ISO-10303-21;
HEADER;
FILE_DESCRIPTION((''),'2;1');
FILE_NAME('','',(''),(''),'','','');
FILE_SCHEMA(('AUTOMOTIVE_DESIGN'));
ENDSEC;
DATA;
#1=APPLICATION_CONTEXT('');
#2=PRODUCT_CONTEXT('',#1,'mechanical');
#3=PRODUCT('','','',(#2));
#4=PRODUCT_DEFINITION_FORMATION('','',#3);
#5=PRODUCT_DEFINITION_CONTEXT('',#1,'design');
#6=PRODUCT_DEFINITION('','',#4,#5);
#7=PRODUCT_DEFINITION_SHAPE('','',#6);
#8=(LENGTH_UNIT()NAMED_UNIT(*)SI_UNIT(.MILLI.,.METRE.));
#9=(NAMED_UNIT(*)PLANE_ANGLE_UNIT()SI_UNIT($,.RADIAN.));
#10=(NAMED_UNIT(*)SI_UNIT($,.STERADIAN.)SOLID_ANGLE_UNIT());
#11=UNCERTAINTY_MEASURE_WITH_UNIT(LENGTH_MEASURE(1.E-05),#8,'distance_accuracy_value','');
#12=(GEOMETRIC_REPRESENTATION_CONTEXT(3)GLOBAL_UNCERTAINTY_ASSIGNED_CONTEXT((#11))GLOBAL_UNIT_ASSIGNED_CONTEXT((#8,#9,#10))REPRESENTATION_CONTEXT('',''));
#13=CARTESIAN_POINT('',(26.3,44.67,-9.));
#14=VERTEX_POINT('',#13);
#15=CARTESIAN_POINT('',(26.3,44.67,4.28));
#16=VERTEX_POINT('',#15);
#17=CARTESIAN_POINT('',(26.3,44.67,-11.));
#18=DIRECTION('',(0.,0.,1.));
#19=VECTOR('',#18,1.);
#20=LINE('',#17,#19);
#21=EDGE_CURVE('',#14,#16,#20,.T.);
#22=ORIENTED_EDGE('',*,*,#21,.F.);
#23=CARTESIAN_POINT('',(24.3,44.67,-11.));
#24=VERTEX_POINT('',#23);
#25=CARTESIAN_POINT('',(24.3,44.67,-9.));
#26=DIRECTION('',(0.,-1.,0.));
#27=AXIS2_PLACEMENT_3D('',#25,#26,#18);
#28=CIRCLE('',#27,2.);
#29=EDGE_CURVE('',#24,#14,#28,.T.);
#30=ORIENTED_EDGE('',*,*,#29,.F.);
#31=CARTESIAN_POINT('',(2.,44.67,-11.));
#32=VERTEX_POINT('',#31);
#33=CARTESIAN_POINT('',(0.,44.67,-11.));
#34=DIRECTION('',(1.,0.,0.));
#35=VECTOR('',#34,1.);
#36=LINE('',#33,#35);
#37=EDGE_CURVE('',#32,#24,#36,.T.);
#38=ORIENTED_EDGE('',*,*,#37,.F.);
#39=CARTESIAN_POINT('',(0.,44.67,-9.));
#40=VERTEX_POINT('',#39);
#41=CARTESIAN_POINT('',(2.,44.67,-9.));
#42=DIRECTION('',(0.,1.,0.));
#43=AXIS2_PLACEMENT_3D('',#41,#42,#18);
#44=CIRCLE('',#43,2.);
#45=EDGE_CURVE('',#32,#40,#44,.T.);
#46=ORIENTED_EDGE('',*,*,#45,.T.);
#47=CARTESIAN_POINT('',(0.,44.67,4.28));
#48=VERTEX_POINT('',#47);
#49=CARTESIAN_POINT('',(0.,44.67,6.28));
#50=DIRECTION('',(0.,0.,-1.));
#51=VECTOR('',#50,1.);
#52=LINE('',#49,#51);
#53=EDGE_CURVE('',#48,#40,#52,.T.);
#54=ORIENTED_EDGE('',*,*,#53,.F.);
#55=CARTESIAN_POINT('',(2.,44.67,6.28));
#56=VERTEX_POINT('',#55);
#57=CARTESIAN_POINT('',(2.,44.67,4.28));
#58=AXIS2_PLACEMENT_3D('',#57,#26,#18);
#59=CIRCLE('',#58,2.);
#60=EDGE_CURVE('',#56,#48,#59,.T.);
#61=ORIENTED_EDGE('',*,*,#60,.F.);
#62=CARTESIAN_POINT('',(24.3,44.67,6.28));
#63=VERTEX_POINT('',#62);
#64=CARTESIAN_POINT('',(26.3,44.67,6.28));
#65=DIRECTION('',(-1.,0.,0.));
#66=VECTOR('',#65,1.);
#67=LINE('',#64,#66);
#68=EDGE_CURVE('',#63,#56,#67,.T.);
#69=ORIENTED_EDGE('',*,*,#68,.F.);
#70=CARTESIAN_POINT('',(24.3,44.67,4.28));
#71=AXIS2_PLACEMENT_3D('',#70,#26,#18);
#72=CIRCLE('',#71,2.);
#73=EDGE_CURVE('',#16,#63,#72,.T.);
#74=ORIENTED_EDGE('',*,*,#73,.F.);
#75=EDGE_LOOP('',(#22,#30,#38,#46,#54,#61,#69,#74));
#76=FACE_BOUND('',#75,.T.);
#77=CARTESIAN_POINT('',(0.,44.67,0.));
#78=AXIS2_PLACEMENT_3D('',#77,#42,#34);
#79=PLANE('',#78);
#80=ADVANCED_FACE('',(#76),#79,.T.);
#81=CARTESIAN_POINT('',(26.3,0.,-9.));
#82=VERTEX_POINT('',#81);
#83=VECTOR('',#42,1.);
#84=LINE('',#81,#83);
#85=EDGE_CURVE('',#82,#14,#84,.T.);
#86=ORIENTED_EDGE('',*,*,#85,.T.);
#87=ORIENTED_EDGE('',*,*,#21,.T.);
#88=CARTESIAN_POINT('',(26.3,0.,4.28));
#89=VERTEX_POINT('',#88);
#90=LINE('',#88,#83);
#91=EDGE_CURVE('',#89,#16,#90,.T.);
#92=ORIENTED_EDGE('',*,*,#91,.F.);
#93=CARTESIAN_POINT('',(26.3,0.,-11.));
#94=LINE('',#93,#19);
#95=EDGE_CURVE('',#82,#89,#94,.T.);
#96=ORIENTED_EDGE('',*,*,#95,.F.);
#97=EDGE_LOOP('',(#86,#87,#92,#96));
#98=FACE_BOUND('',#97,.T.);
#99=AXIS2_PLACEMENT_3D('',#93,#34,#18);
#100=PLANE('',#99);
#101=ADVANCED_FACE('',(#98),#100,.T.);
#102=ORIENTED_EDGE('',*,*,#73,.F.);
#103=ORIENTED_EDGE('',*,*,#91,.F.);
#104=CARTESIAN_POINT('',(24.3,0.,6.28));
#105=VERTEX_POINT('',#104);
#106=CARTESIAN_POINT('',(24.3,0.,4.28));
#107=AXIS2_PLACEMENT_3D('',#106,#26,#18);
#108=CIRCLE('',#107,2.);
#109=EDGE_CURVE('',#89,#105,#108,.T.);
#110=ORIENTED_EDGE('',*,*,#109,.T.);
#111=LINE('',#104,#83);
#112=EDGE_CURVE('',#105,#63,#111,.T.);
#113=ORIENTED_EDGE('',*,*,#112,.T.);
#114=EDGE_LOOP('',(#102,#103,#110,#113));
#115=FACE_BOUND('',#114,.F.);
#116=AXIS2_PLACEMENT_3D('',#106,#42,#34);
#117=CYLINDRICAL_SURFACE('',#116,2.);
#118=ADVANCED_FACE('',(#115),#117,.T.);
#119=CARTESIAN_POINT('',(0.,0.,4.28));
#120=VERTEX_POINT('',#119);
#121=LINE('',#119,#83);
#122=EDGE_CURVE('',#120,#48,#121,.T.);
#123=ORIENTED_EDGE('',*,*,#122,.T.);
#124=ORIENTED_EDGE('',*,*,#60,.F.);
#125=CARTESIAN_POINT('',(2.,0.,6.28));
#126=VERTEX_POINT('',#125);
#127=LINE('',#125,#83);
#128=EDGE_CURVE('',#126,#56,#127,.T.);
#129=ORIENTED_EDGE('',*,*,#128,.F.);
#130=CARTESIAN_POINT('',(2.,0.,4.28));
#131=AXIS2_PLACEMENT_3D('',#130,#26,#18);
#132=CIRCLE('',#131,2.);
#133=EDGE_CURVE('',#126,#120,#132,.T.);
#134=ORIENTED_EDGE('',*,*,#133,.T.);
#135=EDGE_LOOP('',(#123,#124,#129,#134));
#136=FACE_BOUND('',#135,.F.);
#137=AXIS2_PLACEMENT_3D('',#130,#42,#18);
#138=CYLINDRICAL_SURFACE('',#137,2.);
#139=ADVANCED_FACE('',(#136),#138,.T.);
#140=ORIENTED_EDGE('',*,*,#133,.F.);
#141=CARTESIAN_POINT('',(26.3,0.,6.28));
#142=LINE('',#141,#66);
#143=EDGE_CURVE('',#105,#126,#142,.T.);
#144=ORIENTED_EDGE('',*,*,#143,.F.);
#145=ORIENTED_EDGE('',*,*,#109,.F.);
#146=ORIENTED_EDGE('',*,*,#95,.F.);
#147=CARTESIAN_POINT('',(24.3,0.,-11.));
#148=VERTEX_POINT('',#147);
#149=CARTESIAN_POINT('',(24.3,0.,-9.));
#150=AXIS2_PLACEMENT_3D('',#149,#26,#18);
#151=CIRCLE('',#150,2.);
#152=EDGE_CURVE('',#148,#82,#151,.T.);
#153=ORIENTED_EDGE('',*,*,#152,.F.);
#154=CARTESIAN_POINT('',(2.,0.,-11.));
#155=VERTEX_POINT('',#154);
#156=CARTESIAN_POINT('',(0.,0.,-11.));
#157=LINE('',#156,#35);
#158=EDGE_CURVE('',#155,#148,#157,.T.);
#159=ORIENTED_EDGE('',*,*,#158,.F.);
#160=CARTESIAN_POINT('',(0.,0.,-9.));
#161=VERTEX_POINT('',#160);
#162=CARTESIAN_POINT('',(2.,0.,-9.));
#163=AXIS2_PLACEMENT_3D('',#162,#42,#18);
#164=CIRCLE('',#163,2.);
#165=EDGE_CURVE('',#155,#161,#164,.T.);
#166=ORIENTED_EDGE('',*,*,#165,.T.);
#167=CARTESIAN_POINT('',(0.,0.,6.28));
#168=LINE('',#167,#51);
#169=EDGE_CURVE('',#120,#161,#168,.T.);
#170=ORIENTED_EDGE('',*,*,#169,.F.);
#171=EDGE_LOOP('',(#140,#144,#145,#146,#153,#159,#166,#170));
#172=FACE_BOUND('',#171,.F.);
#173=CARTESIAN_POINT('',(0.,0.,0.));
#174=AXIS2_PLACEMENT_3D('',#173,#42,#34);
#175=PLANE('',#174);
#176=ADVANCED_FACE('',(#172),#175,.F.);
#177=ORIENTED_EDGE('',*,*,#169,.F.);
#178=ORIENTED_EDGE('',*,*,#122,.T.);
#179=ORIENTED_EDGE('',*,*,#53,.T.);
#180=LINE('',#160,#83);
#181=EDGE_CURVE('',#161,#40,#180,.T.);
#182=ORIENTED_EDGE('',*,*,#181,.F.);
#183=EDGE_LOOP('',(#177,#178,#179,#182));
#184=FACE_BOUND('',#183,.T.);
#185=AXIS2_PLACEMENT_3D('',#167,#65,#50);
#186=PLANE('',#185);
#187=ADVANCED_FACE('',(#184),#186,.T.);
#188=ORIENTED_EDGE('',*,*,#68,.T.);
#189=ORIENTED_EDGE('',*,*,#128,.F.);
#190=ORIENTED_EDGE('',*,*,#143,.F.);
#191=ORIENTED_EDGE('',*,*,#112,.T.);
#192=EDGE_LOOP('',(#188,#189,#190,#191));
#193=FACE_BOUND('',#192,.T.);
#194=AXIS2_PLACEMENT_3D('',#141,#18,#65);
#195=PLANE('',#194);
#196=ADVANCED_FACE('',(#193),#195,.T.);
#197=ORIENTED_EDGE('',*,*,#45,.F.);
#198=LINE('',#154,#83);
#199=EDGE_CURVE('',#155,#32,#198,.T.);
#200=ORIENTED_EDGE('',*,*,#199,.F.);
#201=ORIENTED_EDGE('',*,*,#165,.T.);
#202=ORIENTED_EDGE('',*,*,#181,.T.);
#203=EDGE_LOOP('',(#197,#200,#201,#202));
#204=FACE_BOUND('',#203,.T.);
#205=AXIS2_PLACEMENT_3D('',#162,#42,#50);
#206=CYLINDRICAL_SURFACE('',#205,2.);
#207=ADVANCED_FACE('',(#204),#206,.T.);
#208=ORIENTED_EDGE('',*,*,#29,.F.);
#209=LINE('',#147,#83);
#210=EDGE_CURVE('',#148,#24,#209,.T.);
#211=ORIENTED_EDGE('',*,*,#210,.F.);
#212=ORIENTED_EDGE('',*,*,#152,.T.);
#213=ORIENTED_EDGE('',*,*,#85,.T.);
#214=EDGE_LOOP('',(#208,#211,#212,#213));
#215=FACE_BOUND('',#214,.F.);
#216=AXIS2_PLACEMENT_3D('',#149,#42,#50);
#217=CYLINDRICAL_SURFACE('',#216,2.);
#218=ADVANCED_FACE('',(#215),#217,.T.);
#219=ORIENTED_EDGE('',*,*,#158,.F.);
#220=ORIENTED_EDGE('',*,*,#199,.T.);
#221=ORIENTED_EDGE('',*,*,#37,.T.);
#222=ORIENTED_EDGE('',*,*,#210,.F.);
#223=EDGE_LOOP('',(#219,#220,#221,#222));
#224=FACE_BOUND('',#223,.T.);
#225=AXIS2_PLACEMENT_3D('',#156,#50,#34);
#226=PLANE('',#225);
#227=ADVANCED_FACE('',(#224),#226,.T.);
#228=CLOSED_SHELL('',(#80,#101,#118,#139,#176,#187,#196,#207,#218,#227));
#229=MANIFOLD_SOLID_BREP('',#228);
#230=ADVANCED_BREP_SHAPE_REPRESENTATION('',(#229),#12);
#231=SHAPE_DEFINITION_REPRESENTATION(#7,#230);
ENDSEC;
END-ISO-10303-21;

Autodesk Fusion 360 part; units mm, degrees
sketch "Sketch2" plane through (0, 0, 0) normal (0, 1, 0) x (1, 0, 0)
  line L0 (0, 11) -> (26.3, 11)
  line L1 (26.3, 11) -> (26.3, -6.28)
  line L2 (26.3, -6.28) -> (0, -6.28)
  line L3 (0, -6.28) -> (0, 11)
  line L4 (0, 2.36) -> (3.77, 2.36) construction
  line L5 (3.77, 2.36) -> (9.35, 2.36) construction
  line L6 (9.35, 2.36) -> (16.56, 2.36) construction
  line L7 (16.56, 2.36) -> (23.33, 2.36) construction
  line L8 (23.33, 2.36) -> (26.3, 2.36) construction
  dimension "d8" = 26.3
  dimension "d9" = 17.28
  dimension "d10" = 3.77
  dimension "d11" = 5.58
  dimension "d12" = 7.21
  dimension "d13" = 6.77
  dimension "d14" = 2.97
extrude "Extrude1" add sketch "Sketch2" along normal blind 44.67
fillet "Fillet1" radius 2 4 edges at (26.3, 22.335, 6.28) (26.3, 22.335, -11) (0, 22.335, -11) (0, 22.335, 6.28)
